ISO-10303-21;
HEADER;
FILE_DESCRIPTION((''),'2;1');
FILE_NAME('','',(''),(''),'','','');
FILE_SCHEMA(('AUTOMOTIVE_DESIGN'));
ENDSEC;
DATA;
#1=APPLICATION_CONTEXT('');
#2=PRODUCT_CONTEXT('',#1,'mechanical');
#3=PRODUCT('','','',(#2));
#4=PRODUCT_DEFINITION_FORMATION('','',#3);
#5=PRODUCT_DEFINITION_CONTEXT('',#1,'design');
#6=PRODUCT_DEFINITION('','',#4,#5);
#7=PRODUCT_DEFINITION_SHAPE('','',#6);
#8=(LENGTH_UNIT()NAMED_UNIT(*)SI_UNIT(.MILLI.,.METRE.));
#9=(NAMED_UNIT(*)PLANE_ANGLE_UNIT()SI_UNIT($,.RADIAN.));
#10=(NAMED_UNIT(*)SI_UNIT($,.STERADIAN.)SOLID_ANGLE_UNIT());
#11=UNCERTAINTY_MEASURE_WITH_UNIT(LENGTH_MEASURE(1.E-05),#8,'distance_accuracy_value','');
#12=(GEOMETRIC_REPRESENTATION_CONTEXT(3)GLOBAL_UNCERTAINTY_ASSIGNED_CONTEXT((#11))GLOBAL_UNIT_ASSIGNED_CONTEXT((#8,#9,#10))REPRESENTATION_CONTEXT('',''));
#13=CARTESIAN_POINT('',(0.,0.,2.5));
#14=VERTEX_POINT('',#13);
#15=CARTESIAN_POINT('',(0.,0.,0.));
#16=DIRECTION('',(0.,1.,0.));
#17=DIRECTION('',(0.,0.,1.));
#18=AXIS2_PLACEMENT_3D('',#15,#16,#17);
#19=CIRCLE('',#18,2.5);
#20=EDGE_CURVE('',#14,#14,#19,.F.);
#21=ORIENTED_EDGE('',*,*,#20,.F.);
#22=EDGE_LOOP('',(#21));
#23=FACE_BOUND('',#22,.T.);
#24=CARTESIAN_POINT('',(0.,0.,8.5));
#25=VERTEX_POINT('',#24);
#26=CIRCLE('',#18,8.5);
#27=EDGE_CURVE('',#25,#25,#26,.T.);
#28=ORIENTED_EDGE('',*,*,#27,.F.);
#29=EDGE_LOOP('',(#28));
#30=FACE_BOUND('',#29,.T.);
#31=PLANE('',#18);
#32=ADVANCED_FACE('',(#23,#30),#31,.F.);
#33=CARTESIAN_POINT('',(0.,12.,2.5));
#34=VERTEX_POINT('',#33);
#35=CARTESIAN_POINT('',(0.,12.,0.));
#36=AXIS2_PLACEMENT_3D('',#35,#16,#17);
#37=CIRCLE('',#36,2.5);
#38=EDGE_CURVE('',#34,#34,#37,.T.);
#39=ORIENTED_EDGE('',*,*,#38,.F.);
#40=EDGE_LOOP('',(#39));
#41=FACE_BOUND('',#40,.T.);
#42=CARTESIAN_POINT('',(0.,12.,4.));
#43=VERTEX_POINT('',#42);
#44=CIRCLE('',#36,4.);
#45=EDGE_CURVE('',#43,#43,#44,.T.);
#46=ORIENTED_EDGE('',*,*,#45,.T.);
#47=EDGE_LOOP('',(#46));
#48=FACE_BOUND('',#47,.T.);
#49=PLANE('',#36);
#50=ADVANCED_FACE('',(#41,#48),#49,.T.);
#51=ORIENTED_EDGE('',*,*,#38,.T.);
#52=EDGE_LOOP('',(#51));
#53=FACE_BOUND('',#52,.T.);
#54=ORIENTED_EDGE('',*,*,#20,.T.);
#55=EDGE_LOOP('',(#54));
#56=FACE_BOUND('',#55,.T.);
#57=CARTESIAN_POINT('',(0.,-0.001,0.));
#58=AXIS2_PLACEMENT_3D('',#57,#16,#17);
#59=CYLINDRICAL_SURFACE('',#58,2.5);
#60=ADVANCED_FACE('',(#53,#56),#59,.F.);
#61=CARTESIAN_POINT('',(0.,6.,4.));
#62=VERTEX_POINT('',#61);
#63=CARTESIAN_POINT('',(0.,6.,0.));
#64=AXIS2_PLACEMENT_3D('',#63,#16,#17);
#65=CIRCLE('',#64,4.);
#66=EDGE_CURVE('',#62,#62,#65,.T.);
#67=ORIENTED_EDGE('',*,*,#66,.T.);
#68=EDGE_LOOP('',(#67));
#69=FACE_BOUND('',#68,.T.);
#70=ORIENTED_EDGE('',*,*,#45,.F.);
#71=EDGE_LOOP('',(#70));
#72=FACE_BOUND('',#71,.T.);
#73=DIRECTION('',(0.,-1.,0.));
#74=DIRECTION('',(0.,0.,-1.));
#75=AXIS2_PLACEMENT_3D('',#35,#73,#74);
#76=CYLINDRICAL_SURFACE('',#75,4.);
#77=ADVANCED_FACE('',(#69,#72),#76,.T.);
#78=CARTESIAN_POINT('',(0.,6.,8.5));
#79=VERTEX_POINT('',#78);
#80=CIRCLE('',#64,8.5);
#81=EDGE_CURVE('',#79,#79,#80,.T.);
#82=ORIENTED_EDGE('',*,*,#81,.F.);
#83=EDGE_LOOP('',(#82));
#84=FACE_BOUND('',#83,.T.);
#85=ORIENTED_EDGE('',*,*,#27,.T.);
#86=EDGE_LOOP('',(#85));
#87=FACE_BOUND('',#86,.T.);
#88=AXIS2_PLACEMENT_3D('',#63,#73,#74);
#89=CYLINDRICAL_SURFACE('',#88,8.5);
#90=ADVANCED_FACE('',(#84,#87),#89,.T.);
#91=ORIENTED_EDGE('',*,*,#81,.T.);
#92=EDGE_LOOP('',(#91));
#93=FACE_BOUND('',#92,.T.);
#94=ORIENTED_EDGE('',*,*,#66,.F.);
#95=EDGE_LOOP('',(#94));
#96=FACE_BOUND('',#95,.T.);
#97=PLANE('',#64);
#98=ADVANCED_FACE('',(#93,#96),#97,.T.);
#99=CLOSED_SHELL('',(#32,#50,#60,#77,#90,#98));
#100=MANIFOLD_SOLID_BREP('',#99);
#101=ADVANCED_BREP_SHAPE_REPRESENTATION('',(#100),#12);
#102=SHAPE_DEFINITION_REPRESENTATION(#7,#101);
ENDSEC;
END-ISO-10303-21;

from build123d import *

# Parameters (mm, degrees)
ESQUISSE1_R             = 8.5
BOSS_EXTRU_1_DEPTH      = 6
ESQUISSE2_R             = 4
BOSS_EXTRU_2_DEPTH      = 6
ENL_V_MAT_EXTRU_1_REACH = 18.985
ESQUISSE3_R             = 2.5


with BuildPart() as part:
    # Esquisse1 → Boss.-Extru.1 (new body)
    with BuildSketch(Plane(origin=(0, 0, 0), x_dir=(1, 0, 0), z_dir=(0, 1, 0))):
        with Locations(Location((0, 0, 0), (0, 0, 270))):
            Circle(ESQUISSE1_R)
    extrude(amount=BOSS_EXTRU_1_DEPTH)

    # Esquisse2 → Boss.-Extru.2 (add)
    with BuildSketch(Plane(origin=(0, 6, 0), x_dir=(1, 0, 0), z_dir=(0, 1, 0))):
        with Locations(Location((0, 0, 0), (0, 0, 270))):
            Circle(ESQUISSE2_R)
    extrude(amount=BOSS_EXTRU_2_DEPTH)

    # Esquisse3 → Enlèv. mat.-Extru.1 (cut, up to next)
    with BuildSketch(Plane(origin=(0, 12, 0), x_dir=(1, 0, 0), z_dir=(0, 1, 0)), mode=Mode.PRIVATE) as enl_v_mat_extru_1_sk1:
        with Locations(Location((0, 0, 0), (0, 0, 270))):
            Circle(ESQUISSE3_R)
    enl_v_mat_extru_1_tool1 = extrude(enl_v_mat_extru_1_sk1.sketch, amount=-ENL_V_MAT_EXTRU_1_REACH, mode=Mode.PRIVATE) & part.part
    add(enl_v_mat_extru_1_tool1.solids().sort_by_distance((0, 12, 0))[0], mode=Mode.SUBTRACT)


solid = part.part
